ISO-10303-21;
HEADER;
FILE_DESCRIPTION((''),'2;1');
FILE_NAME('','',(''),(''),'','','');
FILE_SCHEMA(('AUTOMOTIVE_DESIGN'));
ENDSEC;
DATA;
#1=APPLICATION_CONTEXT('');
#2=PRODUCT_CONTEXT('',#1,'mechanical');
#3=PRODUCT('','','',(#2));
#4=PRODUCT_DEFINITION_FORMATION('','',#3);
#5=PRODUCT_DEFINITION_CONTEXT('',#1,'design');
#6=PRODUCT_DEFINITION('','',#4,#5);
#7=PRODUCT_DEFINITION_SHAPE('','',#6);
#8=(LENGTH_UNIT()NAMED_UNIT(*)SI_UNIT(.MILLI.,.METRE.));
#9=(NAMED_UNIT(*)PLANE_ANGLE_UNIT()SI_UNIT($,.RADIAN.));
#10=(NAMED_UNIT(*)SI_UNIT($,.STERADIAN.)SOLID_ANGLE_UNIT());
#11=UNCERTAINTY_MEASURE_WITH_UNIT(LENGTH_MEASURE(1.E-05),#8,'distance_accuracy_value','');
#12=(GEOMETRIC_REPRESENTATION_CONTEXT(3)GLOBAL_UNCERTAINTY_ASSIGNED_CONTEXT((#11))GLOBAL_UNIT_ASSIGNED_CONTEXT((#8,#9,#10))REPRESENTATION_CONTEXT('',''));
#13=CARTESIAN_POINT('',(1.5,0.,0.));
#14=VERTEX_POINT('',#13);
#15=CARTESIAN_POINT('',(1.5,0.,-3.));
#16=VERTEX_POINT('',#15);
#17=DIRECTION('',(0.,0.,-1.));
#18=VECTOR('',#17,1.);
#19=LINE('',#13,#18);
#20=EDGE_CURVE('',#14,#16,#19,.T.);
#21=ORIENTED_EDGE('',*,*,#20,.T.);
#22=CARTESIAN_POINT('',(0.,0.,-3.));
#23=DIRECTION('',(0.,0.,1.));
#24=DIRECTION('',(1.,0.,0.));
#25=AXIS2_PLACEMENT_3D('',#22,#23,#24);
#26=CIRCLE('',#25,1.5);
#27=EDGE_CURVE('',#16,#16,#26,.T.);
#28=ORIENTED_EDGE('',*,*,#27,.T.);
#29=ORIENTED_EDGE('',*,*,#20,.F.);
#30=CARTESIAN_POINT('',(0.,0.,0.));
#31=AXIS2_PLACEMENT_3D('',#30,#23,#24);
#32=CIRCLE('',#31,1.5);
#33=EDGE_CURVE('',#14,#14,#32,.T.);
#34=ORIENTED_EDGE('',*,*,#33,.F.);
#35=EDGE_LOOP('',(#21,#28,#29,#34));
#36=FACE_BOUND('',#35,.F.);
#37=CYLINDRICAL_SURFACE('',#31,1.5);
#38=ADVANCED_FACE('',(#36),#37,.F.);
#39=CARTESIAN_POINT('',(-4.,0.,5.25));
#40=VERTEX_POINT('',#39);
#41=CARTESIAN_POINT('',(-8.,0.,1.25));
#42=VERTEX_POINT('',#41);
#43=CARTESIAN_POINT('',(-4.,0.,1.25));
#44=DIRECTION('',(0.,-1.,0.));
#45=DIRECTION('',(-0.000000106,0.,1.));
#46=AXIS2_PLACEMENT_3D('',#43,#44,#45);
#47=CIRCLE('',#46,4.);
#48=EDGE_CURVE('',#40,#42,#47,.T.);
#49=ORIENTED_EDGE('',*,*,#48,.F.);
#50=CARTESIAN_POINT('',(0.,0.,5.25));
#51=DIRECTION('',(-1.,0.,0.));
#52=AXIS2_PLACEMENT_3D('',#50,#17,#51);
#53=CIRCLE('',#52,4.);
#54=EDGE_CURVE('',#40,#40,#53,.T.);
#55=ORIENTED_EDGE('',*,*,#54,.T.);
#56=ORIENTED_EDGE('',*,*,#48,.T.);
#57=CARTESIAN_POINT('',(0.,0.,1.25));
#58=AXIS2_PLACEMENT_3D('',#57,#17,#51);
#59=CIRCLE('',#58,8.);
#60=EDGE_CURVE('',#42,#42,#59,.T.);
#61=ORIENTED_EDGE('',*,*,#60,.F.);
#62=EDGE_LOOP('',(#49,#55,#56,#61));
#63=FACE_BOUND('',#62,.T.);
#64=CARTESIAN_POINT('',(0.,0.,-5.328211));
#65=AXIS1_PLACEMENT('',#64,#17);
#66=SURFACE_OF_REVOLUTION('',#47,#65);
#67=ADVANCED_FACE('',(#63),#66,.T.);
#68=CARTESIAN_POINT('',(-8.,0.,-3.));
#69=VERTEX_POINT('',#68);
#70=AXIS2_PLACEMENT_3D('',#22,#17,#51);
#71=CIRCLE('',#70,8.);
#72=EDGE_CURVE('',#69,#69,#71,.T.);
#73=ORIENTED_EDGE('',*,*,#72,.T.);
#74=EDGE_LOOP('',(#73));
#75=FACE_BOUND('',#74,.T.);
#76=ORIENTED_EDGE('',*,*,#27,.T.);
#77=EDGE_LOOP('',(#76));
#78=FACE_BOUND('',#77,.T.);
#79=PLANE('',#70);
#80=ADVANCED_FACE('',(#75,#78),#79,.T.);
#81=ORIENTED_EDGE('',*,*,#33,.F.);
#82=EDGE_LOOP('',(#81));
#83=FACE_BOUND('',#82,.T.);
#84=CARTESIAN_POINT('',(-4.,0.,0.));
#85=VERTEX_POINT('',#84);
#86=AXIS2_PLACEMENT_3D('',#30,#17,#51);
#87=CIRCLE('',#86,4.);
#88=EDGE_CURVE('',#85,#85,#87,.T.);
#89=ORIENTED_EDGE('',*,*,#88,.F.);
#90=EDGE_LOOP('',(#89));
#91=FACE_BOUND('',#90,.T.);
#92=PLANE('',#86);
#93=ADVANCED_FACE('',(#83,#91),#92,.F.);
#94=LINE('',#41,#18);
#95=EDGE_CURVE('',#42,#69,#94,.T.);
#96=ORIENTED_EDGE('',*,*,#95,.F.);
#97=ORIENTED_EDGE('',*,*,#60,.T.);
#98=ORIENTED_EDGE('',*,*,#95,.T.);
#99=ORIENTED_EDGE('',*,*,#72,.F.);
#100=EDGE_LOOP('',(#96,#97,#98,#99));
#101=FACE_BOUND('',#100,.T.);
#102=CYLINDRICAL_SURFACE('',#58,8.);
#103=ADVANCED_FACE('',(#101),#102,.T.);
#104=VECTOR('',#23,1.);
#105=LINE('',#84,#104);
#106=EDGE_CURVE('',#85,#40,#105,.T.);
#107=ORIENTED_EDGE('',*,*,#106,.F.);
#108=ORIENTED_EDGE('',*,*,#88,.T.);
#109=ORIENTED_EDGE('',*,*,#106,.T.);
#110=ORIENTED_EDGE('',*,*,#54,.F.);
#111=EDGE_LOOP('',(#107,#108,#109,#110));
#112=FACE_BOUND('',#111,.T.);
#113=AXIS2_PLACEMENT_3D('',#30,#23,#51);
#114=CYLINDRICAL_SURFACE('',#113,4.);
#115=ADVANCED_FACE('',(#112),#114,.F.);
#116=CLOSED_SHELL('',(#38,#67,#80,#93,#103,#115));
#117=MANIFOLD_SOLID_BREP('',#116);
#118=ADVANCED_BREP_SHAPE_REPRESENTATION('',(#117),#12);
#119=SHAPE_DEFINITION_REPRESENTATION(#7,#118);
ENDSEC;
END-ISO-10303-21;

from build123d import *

# Parameters (mm, degrees)
F2_R     = 1.5
F3_DEPTH = 10


with BuildPart() as f1:
    # F0 (on Front) → F1 (revolve)
    with BuildSketch(Plane.XZ):
        with BuildLine():
            Line((0, -3), (0, 0))
            Line((0, 0), (-4, 0))
            Line((-4, 0), (-4, 5.25))
            ThreePointArc((-4, 5.25), (-6.828427, 4.078427), (-8, 1.25))
            Line((-8, 1.25), (-8, -3))
            Line((-8, -3), (0, -3))
        make_face()
    revolve(axis=Axis((0, 0, -5.328211), (0, 0, -1)))

    # F2 (on face) → F3 (cut)
    with BuildSketch(Plane.XY):
        Circle(F2_R)
    extrude(amount=-F3_DEPTH, mode=Mode.SUBTRACT)


solid = f1.part
